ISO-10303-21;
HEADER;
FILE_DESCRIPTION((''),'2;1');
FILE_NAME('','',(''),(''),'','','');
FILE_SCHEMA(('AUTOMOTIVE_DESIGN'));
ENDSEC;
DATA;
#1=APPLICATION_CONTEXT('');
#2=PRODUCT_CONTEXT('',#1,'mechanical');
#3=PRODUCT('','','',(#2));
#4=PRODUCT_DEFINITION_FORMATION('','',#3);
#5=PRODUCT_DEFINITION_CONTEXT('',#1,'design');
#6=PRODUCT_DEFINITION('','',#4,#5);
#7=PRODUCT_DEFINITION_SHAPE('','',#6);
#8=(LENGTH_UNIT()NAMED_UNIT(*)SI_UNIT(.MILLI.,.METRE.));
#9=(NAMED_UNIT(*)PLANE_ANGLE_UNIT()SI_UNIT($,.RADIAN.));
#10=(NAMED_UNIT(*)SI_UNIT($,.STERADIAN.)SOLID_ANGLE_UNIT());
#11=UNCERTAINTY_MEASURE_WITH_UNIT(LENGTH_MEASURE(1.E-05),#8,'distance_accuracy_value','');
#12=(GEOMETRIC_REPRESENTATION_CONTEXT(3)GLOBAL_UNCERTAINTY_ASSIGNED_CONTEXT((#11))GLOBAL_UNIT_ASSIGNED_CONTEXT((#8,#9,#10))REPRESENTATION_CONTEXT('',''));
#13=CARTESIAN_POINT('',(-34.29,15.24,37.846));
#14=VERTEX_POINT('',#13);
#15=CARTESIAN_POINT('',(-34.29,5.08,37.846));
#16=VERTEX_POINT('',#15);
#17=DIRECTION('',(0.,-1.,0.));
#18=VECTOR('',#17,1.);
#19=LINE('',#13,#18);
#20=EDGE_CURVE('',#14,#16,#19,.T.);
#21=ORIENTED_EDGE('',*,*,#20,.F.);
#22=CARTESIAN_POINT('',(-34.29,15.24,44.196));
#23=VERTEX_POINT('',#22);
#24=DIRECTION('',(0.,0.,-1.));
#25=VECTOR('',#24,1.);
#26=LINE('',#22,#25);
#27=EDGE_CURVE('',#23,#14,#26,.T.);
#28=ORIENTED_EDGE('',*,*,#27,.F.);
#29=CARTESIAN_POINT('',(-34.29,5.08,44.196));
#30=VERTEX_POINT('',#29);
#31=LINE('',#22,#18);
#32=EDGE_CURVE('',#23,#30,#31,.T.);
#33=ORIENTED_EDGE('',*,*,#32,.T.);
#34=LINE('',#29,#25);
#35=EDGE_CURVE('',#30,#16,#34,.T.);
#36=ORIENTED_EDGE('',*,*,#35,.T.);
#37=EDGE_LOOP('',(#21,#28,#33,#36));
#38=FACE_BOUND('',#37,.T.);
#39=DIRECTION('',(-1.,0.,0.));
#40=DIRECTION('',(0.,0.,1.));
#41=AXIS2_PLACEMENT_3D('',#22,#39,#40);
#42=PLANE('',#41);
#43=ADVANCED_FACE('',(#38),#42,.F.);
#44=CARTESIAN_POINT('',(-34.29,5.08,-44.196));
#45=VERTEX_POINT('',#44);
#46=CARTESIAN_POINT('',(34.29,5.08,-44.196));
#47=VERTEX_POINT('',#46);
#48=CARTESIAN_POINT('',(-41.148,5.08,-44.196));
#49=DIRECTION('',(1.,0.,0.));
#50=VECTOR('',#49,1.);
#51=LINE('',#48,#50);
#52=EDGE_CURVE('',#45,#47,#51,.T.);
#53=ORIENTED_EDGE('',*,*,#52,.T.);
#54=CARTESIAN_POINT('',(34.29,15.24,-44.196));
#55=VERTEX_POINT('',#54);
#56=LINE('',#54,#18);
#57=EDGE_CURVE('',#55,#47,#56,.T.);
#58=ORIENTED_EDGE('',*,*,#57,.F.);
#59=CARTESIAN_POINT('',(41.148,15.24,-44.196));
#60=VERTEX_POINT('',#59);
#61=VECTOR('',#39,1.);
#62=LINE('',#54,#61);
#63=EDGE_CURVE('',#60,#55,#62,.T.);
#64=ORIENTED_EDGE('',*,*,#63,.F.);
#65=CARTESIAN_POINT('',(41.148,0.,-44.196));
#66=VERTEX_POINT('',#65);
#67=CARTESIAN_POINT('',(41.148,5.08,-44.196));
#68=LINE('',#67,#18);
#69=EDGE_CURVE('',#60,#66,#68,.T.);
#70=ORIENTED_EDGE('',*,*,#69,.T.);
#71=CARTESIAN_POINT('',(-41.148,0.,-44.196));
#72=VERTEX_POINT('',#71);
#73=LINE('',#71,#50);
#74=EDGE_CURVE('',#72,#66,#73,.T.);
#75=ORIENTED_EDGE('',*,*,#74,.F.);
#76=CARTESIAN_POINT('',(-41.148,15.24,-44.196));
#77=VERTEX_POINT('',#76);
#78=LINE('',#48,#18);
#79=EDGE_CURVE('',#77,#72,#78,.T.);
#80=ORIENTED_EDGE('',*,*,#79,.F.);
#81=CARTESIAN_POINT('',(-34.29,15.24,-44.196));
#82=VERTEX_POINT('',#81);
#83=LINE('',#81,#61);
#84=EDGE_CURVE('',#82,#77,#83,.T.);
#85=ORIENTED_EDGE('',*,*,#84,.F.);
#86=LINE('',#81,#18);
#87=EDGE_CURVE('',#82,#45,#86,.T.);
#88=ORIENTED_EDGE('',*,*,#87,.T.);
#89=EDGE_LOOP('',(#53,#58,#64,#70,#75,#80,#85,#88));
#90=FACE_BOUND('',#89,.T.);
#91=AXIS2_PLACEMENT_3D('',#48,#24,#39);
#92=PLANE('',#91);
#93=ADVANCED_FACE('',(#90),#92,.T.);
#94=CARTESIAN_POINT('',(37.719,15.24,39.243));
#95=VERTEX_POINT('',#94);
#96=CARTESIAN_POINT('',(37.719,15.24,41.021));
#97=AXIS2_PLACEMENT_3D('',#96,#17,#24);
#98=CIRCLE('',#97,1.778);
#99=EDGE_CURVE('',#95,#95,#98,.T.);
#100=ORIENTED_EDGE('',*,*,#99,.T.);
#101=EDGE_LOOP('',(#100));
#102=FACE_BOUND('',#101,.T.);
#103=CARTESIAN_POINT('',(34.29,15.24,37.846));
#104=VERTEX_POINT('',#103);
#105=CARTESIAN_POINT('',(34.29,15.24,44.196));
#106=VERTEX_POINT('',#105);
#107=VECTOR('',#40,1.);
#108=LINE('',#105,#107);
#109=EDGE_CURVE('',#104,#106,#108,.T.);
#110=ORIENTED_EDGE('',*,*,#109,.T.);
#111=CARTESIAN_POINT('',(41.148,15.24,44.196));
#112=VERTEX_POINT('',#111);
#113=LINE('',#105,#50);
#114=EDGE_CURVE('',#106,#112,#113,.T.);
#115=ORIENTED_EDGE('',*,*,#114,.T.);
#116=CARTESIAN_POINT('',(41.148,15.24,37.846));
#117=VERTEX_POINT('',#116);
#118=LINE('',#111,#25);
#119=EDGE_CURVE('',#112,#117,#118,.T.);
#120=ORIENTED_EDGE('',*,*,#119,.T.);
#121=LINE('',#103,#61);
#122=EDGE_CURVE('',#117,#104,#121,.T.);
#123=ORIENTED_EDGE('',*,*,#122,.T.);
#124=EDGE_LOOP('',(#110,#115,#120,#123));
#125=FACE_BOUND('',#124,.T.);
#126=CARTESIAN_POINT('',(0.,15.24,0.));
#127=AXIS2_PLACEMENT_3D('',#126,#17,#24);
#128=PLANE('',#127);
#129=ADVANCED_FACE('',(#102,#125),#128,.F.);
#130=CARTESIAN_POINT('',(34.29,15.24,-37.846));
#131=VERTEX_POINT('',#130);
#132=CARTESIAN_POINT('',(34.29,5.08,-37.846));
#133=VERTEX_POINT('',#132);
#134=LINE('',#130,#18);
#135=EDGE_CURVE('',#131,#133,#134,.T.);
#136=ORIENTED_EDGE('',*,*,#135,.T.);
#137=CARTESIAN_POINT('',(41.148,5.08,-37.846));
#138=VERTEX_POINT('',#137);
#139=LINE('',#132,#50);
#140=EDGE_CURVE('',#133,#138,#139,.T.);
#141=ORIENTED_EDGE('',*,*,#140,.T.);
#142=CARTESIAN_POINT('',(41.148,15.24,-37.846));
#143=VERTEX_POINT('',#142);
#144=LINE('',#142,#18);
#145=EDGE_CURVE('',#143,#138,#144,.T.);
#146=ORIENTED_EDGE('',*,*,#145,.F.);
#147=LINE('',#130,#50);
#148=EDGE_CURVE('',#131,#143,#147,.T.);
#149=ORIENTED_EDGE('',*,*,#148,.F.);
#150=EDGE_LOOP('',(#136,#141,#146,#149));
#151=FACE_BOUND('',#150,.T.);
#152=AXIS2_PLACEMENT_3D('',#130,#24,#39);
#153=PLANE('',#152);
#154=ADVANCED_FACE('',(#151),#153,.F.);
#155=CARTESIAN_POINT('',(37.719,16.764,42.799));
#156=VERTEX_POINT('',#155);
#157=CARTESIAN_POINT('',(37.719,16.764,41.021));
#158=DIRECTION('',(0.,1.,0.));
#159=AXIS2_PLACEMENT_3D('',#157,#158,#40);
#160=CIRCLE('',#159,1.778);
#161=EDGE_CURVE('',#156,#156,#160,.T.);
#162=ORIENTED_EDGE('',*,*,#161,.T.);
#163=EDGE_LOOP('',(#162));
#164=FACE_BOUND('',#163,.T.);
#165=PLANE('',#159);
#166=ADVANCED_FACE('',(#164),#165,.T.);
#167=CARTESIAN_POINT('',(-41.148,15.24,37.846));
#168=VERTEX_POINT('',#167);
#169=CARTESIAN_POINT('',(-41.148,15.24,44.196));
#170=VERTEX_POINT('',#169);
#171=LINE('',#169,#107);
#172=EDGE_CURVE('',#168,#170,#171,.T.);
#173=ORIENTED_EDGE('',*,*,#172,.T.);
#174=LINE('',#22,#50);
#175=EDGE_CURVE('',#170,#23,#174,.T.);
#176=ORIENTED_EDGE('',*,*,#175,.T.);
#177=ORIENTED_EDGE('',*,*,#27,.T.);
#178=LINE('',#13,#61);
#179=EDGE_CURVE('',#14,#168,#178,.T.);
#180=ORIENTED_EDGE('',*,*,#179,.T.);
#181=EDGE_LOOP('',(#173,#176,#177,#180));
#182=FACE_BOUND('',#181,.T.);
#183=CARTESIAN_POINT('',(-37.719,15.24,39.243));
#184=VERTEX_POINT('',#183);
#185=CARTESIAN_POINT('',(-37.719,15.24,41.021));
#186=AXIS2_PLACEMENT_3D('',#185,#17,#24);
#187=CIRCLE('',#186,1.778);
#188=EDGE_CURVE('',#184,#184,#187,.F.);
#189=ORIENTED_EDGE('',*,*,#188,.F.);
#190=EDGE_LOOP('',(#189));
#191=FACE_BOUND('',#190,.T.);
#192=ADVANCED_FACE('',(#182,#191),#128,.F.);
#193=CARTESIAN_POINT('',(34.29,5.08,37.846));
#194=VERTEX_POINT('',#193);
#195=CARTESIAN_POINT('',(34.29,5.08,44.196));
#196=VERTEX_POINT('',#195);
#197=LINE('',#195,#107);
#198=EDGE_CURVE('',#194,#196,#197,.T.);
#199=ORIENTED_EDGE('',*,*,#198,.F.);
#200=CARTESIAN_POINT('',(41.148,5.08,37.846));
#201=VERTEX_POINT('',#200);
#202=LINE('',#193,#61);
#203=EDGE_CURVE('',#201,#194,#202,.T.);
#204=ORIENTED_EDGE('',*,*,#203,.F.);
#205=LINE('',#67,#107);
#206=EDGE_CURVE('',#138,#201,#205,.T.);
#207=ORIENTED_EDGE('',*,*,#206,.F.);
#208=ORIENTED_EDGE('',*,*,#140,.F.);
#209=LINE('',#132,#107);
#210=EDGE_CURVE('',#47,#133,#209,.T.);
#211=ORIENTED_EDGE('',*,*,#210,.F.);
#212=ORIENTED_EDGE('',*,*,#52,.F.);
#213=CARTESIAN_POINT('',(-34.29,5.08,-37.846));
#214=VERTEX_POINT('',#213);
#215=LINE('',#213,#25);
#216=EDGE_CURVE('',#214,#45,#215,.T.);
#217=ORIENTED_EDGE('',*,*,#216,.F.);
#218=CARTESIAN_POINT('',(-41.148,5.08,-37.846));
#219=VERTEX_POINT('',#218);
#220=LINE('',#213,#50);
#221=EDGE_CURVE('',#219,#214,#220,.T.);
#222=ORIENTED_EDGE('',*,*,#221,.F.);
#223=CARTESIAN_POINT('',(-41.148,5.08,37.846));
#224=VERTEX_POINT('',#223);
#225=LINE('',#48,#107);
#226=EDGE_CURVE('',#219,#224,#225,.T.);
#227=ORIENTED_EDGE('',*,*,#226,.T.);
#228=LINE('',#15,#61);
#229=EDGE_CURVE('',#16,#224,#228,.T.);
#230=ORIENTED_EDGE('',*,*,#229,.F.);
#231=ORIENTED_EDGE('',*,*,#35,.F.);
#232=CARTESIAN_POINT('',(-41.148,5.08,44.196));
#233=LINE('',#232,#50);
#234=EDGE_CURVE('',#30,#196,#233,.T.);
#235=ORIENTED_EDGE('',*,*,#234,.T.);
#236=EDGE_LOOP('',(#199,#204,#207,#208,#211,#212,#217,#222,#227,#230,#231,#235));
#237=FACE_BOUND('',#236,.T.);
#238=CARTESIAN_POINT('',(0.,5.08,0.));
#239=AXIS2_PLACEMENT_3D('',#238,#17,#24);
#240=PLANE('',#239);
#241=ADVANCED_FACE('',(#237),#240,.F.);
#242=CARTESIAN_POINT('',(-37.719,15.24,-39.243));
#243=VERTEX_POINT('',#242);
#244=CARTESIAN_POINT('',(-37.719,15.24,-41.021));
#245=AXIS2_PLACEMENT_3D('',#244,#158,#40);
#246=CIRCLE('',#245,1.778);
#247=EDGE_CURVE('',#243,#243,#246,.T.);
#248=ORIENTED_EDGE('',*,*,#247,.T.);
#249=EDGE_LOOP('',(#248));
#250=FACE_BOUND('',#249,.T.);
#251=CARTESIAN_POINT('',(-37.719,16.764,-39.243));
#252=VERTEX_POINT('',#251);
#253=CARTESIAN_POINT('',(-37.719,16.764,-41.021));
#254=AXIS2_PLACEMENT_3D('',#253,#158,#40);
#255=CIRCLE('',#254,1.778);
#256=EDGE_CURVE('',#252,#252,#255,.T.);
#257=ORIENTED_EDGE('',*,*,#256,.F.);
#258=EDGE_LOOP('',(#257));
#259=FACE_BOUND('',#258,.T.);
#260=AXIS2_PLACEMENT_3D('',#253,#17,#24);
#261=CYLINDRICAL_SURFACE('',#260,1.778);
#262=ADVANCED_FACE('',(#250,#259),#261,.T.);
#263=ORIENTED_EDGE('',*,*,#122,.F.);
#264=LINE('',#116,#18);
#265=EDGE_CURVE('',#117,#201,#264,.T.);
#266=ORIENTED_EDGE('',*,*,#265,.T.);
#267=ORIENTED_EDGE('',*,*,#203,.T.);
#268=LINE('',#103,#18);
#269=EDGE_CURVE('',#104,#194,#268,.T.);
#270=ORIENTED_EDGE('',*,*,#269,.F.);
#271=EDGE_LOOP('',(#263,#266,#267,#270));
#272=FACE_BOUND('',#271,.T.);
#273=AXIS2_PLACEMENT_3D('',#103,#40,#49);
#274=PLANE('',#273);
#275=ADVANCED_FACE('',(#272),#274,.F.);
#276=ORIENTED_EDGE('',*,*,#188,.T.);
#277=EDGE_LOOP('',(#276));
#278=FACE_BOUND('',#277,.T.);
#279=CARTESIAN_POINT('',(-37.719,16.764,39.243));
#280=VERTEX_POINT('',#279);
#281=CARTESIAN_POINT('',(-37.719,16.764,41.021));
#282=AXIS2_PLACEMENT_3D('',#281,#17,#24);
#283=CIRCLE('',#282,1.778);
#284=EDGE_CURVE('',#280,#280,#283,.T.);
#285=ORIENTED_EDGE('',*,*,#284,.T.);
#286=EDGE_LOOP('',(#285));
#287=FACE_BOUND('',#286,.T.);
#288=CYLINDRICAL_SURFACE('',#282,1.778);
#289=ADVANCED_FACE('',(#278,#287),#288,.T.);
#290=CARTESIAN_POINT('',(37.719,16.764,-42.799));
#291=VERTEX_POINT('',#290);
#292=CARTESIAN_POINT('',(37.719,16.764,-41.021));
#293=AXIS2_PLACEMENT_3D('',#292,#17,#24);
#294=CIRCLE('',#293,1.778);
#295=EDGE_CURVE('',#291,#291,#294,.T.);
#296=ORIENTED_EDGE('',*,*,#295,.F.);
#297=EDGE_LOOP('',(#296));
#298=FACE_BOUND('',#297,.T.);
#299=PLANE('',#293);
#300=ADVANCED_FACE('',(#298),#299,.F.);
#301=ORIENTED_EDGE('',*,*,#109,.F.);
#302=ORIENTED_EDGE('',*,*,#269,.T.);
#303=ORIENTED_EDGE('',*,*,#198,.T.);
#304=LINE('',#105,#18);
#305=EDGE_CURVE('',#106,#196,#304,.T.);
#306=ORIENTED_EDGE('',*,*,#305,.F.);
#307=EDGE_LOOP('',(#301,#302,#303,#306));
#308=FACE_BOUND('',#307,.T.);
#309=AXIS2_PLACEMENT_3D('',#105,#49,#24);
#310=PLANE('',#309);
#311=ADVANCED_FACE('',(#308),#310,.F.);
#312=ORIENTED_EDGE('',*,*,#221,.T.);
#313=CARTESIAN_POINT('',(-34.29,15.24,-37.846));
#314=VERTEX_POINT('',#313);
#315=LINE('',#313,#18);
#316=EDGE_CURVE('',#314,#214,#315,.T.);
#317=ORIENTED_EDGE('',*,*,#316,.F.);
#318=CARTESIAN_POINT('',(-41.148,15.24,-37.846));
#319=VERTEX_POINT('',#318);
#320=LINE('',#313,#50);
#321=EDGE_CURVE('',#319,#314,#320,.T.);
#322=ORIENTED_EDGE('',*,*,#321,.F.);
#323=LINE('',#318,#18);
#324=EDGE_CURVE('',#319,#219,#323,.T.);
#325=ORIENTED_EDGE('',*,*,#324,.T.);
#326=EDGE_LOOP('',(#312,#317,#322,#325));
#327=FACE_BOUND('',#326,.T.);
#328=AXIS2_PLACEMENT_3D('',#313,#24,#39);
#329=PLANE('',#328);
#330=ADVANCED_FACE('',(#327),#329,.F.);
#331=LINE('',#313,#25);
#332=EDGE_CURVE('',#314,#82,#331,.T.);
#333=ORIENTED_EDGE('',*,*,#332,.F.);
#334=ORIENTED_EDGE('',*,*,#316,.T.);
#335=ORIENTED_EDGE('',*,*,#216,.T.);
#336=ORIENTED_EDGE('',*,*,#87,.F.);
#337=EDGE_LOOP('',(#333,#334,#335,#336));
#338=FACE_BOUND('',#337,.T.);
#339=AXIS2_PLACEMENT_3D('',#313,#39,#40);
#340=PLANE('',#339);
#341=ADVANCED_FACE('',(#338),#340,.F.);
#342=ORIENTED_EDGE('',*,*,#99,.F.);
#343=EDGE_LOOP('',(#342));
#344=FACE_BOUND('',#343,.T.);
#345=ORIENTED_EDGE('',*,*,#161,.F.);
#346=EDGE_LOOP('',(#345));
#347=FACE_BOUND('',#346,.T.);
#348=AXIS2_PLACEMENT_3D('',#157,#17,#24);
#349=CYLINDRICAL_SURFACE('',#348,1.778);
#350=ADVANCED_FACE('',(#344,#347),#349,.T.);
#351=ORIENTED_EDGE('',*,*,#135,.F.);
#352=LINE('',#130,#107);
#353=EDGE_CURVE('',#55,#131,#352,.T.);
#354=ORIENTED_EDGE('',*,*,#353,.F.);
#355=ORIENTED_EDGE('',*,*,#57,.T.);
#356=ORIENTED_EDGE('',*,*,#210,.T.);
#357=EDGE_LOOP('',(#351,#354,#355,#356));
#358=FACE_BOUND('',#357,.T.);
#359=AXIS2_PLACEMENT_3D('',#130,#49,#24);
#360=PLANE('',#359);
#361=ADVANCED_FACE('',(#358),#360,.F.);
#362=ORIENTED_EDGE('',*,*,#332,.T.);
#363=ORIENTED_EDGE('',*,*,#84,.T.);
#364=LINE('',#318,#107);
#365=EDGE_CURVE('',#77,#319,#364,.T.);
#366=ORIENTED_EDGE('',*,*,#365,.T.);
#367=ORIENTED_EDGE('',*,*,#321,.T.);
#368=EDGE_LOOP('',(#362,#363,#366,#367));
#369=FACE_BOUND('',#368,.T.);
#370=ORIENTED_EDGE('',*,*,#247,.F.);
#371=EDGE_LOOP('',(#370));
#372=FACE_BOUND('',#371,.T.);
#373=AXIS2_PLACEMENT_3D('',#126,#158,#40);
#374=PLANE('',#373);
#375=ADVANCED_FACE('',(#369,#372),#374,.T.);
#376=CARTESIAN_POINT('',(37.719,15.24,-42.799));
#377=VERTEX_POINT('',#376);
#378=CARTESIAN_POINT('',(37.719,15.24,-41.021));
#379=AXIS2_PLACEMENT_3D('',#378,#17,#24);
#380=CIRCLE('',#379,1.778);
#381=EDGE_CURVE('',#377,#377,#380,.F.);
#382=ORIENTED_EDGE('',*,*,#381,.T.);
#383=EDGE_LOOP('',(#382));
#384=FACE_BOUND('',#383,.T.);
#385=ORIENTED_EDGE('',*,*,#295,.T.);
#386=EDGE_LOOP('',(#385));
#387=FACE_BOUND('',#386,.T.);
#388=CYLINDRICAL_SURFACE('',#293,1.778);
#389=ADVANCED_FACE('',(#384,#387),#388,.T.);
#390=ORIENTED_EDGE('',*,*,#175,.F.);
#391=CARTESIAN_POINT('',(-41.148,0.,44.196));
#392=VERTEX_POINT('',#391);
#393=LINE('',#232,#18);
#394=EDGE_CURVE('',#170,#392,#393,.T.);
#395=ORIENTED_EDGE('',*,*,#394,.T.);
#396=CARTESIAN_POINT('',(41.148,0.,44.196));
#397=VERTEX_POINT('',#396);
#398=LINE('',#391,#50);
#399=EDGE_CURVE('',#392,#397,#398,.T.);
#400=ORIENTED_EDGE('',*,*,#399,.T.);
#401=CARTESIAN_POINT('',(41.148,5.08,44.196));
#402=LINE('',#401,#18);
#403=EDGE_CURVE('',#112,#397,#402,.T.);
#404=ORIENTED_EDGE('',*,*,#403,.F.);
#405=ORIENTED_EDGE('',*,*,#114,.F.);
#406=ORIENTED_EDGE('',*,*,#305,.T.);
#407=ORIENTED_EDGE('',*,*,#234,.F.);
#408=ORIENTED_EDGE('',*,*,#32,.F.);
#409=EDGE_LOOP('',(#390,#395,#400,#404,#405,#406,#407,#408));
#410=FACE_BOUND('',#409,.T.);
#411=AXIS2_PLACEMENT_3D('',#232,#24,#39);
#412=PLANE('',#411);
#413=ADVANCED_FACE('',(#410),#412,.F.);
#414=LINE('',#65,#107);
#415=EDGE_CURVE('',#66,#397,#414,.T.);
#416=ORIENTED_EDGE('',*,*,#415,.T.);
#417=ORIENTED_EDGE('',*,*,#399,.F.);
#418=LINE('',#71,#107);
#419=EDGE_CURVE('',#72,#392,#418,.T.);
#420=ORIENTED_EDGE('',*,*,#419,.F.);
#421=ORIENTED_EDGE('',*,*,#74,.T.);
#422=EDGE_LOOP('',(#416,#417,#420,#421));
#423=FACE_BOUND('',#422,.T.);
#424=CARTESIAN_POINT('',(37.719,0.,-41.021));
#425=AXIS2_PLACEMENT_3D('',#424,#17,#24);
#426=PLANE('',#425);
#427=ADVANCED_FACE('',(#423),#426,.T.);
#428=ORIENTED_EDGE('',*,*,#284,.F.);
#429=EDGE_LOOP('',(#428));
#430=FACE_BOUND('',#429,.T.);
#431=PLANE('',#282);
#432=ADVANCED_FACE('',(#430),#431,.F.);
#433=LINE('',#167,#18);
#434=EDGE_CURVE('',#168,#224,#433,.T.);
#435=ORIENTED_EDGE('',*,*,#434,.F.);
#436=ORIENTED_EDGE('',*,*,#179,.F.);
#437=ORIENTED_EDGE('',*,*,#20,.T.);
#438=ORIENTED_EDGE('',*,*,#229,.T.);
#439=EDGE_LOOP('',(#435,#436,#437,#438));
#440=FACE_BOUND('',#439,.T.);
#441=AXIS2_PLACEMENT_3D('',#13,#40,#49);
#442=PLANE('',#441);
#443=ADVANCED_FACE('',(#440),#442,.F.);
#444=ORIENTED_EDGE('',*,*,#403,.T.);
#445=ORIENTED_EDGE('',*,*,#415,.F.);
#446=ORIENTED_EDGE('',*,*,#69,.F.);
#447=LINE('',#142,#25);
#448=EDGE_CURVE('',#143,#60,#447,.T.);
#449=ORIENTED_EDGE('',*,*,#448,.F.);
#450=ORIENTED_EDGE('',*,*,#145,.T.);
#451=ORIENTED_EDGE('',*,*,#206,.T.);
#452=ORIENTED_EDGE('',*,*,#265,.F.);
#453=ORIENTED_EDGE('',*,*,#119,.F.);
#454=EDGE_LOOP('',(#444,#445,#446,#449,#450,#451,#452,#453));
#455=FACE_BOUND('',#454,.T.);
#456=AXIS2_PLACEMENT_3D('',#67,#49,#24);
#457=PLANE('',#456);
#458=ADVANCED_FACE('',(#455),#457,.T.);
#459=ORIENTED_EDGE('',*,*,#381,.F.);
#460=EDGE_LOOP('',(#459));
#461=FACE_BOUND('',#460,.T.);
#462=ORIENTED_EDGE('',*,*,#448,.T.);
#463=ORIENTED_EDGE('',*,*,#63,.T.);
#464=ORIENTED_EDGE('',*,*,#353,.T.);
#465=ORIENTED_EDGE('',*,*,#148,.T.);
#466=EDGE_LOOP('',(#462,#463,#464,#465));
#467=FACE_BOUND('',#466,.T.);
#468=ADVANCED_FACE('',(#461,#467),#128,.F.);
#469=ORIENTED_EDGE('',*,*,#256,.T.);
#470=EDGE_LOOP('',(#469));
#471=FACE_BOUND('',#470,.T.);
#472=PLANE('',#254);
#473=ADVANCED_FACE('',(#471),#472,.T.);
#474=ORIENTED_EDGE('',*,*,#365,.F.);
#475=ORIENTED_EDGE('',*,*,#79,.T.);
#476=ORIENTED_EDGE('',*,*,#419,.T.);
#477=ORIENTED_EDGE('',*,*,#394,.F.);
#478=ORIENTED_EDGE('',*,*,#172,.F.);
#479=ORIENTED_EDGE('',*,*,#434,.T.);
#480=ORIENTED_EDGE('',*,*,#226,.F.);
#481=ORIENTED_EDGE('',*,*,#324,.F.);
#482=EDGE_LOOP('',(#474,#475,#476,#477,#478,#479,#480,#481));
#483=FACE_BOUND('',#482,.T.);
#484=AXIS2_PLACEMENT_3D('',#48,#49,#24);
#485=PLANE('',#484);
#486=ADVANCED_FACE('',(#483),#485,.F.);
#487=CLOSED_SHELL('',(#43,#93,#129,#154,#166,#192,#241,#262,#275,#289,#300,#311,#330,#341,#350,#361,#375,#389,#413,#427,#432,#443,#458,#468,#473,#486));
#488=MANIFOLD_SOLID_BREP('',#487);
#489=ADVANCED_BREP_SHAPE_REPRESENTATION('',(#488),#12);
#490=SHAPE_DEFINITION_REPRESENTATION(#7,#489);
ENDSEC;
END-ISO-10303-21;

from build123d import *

# Parameters (mm, degrees)
SKETCH2_R             = 1.778
BOSS_EXTRUDE2_DEPTH   = 16.764
BOSS_EXTRUDE2_2_DEPTH = 16.764
BOSS_EXTRUDE2_3_DEPTH = 16.764
BOSS_EXTRUDE2_4_DEPTH = 16.764
SKETCH2_4_W           = 82.296
SKETCH2_4_H           = 88.392
BOSS_EXTRUDE3_DEPTH   = 5.08
SKETCH5_W             = 6.858
SKETCH5_H             = 6.35
BOSS_EXTRUDE4_DEPTH   = 10.16


with BuildPart() as part:
    # Sketch2 → Boss-Extrude2 (new body)
    with BuildSketch(Plane(origin=(0, 0, 0), x_dir=(1, 0, 0), z_dir=(0, 1, 0))):
        with Locations((37.719, -41.021)):
            Circle(SKETCH2_R)
    extrude(amount=BOSS_EXTRUDE2_DEPTH)



with BuildPart() as body_2:
    # Sketch2 → Boss-Extrude2 2 (new body)
    with BuildSketch(Plane(origin=(0, 0, 0), x_dir=(1, 0, 0), z_dir=(0, 1, 0))):
        with Locations((-37.719, -41.021)):
            Circle(SKETCH2_R)
    extrude(amount=BOSS_EXTRUDE2_2_DEPTH)


with BuildPart() as body_3:
    # Sketch2 → Boss-Extrude2 3 (new body)
    with BuildSketch(Plane(origin=(0, 0, 0), x_dir=(1, 0, 0), z_dir=(0, 1, 0))):
        with Locations((37.719, 41.021)):
            Circle(SKETCH2_R)
    extrude(amount=BOSS_EXTRUDE2_3_DEPTH)


with BuildPart() as body_4:
    # Sketch2 → Boss-Extrude2 4 (new body)
    with BuildSketch(Plane(origin=(0, 0, 0), x_dir=(1, 0, 0), z_dir=(0, 1, 0))):
        with Locations((-37.719, 41.021)):
            Circle(SKETCH2_R)
    extrude(amount=BOSS_EXTRUDE2_4_DEPTH)


with BuildPart() as part_1:
    add(part.part)

    add(body_2.part)  # Boss-Extrude3 merges body 2

    add(body_3.part)  # Boss-Extrude3 merges body 3

    add(body_4.part)  # Boss-Extrude3 merges body 4
    # Sketch2<4> → Boss-Extrude3 (add)
    with BuildSketch(Plane(origin=(0, 0, 0), x_dir=(1, 0, 0), z_dir=(0, 1, 0))):
        Rectangle(SKETCH2_4_W, SKETCH2_4_H)
    extrude(amount=BOSS_EXTRUDE3_DEPTH)

    # Sketch5 → Boss-Extrude4 (add)
    with BuildSketch(Plane(origin=(0, 5.08, 0), x_dir=(1, 0, 0), z_dir=(0, 1, 0))):
        with Locations((-37.719, 41.021)):
            Rectangle(SKETCH5_W, SKETCH5_H)
        with Locations((37.719, -41.021)):
            Rectangle(SKETCH5_W, SKETCH5_H)
        with Locations((-37.719, -41.021)):
            Rectangle(SKETCH5_W, SKETCH5_H)
        with Locations((37.719, 41.021)):
            Rectangle(SKETCH5_W, SKETCH5_H)
    extrude(amount=BOSS_EXTRUDE4_DEPTH)


solid = part_1.part
